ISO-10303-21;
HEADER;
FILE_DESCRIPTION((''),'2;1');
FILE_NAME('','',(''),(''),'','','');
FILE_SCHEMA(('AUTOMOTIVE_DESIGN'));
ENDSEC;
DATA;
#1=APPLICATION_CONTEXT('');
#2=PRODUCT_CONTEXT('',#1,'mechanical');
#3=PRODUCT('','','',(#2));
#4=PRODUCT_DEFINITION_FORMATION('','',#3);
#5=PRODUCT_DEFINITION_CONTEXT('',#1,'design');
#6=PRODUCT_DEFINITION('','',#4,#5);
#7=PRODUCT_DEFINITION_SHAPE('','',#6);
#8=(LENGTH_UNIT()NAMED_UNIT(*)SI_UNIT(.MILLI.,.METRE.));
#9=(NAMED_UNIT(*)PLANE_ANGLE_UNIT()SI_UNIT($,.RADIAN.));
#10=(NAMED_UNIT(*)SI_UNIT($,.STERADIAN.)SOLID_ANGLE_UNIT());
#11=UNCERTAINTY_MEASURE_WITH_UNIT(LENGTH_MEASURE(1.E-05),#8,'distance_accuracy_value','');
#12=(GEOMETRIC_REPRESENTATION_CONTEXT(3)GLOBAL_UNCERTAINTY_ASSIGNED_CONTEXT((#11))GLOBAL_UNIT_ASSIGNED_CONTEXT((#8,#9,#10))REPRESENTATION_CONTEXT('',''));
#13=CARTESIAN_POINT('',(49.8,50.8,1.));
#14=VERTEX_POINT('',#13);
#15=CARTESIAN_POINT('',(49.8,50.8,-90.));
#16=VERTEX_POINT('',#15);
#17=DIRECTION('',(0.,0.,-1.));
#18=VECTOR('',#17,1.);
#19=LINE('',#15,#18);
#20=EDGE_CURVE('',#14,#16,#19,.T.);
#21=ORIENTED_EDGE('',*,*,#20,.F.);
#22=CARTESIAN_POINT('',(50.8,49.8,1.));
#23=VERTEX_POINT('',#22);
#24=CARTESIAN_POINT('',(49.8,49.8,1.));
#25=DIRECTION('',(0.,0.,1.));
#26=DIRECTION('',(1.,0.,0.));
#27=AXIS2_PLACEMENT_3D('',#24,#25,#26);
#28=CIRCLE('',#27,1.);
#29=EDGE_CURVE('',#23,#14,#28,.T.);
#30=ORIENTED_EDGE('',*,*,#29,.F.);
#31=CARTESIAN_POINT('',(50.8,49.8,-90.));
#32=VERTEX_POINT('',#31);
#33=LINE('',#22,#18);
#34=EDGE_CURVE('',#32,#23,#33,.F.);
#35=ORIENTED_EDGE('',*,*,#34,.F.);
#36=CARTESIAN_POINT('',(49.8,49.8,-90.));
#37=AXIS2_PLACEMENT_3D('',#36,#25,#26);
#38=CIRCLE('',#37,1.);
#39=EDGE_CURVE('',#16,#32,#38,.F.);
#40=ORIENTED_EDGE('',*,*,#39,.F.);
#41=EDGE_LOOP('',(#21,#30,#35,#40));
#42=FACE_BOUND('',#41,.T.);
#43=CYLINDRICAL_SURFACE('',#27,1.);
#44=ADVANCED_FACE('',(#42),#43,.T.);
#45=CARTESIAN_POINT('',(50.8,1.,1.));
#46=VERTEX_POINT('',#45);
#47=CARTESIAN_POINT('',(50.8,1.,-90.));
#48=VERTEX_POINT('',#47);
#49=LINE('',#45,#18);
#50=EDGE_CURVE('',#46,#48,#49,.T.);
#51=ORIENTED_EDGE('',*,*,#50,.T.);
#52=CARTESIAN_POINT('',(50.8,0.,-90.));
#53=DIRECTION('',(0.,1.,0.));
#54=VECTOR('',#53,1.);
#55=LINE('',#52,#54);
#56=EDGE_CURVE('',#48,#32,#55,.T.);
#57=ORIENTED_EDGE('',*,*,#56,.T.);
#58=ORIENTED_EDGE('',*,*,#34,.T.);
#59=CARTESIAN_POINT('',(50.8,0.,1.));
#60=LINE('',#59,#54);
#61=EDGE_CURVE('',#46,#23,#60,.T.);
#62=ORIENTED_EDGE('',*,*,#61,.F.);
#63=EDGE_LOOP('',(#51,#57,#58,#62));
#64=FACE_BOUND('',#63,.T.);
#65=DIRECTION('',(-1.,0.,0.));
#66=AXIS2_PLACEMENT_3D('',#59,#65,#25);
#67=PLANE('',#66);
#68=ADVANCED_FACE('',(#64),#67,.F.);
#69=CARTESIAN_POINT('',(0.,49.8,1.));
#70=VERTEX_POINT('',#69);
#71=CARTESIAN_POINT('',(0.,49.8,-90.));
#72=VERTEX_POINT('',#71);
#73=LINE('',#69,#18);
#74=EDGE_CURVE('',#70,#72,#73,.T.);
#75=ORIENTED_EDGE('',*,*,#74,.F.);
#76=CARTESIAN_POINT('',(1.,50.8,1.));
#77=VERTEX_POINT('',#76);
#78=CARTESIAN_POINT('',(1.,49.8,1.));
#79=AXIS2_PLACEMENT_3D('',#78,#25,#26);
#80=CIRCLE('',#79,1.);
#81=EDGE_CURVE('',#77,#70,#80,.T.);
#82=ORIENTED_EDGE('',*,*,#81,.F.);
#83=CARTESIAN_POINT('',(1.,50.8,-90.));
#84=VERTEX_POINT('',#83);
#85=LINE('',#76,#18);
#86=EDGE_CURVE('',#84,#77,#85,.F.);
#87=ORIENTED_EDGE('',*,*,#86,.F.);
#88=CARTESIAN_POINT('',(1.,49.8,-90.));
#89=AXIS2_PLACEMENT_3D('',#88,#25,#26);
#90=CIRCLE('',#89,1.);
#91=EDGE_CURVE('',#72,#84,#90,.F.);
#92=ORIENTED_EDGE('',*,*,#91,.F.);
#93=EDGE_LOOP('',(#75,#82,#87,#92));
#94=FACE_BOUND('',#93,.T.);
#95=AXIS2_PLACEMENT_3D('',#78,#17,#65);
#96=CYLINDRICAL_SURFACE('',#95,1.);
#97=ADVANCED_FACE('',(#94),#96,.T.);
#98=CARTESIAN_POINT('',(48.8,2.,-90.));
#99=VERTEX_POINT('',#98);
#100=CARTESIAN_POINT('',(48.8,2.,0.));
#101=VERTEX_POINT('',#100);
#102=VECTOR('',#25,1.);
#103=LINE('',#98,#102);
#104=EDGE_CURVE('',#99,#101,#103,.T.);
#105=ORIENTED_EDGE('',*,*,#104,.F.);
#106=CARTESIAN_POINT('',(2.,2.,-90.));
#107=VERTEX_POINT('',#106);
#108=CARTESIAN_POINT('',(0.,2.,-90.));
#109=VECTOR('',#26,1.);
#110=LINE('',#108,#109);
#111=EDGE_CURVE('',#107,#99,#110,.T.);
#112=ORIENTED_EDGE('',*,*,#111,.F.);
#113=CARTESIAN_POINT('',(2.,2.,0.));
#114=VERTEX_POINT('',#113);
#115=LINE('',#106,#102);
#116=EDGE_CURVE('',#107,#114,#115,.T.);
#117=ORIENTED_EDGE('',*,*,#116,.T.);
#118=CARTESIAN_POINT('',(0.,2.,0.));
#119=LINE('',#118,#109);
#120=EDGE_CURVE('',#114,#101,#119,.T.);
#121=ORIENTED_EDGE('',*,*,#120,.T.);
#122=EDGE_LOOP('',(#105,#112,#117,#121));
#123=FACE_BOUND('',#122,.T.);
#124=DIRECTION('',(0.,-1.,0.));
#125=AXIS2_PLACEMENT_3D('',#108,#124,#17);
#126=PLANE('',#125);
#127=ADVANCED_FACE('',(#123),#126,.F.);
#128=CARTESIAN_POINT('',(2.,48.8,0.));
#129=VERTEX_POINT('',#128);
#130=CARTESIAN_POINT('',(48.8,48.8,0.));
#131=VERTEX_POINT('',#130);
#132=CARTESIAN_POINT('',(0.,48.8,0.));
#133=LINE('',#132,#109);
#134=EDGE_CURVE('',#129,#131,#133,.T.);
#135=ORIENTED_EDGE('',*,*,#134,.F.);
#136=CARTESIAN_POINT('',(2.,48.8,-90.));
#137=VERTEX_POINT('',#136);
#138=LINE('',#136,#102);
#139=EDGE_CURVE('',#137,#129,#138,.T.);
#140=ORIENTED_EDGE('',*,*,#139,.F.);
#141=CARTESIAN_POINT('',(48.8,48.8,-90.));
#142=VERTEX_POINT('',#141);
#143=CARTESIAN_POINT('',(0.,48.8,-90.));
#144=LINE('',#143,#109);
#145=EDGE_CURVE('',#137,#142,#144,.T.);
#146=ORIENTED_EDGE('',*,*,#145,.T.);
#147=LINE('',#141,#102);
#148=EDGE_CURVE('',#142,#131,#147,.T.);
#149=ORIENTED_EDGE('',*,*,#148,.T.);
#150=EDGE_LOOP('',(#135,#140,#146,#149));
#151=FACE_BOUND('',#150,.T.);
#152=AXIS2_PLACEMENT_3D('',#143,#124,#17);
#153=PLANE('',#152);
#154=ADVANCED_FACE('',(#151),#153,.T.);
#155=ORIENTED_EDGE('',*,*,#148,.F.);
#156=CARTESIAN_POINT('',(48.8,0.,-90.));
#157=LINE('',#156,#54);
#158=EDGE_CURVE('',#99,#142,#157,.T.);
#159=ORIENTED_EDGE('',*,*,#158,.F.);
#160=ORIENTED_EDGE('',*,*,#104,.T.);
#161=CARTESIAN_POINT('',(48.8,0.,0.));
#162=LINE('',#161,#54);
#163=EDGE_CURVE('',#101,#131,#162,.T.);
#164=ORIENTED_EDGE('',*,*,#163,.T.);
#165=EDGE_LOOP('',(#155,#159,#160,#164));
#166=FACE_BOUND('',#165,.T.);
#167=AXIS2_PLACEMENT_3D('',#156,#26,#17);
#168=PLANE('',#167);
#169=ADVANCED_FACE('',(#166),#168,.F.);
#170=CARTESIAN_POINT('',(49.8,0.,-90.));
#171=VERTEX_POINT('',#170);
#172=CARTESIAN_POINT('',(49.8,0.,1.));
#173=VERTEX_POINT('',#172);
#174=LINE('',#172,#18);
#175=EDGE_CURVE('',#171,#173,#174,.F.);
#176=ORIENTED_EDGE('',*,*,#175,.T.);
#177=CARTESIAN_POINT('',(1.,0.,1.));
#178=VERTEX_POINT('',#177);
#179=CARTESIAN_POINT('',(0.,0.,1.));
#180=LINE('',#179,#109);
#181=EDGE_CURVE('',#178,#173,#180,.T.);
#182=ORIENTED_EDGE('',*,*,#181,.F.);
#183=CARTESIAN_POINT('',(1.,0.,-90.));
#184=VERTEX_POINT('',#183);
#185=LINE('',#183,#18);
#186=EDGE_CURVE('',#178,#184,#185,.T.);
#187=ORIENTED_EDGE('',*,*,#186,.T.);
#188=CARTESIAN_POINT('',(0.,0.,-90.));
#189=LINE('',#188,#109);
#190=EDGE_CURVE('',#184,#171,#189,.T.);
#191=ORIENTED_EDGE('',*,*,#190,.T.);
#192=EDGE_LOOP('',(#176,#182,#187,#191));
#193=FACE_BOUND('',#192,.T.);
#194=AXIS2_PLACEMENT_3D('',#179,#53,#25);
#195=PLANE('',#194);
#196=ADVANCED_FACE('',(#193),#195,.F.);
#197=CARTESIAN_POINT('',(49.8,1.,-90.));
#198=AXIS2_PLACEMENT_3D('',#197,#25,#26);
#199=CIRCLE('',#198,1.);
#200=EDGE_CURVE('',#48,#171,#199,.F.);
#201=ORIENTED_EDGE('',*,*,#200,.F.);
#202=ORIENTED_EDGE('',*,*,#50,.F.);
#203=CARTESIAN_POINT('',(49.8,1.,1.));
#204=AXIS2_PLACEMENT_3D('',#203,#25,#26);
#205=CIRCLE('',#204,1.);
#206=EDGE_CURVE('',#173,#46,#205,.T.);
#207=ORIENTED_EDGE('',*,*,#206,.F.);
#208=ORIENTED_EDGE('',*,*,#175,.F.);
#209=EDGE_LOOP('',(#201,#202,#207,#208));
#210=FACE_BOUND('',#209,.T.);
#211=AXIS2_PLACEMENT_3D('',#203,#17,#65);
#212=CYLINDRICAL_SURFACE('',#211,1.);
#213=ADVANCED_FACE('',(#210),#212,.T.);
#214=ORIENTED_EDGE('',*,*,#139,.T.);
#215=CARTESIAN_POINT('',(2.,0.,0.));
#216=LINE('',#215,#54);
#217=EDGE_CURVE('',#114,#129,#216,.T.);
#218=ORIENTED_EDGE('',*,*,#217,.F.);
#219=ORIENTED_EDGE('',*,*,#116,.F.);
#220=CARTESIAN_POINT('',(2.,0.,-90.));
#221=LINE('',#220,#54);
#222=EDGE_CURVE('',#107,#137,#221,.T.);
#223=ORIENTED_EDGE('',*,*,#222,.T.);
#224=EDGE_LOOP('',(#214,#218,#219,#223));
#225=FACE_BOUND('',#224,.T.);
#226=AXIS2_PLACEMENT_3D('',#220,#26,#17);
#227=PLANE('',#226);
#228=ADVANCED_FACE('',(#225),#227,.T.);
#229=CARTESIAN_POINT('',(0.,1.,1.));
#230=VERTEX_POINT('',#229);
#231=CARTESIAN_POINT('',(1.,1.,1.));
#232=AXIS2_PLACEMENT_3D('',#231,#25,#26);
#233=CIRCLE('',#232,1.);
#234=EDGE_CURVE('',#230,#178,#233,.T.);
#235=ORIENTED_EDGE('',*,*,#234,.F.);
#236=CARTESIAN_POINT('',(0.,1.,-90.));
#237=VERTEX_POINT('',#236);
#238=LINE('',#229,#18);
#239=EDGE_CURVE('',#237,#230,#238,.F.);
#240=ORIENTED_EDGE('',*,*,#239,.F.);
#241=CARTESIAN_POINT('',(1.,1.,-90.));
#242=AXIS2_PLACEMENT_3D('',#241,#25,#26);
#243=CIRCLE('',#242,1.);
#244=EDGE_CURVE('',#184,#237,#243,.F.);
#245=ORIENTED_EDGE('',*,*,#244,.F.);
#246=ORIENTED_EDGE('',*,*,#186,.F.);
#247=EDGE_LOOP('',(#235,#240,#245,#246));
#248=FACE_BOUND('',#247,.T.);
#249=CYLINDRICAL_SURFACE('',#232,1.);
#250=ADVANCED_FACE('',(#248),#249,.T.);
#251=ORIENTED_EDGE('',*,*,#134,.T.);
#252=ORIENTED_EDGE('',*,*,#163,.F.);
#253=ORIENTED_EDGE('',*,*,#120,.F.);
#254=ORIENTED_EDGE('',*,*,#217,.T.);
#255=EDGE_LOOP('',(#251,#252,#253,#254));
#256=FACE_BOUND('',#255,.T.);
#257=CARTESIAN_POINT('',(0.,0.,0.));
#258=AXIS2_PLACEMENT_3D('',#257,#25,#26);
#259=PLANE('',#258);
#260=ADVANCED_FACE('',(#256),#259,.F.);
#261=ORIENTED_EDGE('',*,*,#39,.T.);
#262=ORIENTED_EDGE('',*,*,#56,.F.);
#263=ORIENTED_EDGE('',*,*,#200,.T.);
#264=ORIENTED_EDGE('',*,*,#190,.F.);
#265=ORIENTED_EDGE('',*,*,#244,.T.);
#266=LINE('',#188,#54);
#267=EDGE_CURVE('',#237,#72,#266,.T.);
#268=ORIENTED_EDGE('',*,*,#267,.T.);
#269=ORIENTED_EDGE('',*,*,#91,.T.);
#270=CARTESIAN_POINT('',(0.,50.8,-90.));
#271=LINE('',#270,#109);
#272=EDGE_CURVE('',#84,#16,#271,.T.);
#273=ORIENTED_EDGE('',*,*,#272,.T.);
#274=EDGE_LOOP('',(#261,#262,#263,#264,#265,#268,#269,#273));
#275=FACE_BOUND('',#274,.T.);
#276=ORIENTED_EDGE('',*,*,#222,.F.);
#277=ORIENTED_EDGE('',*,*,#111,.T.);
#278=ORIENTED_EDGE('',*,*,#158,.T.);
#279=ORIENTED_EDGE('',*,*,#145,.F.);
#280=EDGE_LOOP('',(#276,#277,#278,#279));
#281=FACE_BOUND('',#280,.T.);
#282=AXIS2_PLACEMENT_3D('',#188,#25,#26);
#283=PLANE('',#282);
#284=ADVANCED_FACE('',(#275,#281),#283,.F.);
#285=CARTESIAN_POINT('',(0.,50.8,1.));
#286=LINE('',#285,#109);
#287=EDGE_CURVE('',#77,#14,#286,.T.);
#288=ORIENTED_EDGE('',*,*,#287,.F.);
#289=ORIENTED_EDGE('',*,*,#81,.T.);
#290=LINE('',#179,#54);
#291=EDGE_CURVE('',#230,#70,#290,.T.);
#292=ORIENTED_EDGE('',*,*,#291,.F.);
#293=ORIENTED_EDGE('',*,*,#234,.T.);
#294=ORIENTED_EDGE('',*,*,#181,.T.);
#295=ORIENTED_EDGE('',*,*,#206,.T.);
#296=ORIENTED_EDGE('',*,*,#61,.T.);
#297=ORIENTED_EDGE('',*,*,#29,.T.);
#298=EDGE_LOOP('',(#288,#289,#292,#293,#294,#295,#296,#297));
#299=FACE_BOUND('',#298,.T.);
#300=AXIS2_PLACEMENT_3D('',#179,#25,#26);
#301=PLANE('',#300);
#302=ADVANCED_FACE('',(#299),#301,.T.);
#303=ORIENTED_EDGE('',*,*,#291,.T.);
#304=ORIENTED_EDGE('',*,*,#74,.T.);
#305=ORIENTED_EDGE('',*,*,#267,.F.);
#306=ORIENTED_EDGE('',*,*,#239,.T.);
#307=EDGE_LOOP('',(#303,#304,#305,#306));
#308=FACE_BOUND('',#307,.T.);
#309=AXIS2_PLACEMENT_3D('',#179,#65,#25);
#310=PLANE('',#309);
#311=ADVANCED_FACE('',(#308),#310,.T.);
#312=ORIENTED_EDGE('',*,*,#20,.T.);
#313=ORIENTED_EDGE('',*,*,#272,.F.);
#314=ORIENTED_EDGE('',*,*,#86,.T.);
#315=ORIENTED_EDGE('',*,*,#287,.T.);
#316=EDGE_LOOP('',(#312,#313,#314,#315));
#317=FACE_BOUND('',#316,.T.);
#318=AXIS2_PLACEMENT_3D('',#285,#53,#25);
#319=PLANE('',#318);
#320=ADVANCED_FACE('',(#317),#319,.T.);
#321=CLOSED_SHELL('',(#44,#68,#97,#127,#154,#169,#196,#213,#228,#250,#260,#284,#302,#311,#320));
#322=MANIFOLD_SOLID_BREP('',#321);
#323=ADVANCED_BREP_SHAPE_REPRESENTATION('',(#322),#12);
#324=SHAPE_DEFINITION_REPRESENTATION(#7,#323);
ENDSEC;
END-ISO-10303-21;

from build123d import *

# Parameters (mm, degrees)
SKETCH1_W           = 50.8
SKETCH1_H           = 50.8
BOSS_EXTRUDE1_DEPTH = 1
SKETCH1_3_W         = 50.8
SKETCH1_3_H         = 50.8
SKETCH1_3_W_2       = 46.8
SKETCH1_3_H_2       = 46.8
BOSS_EXTRUDE2_DEPTH = 90
FILLET1_R           = 1


with BuildPart() as part:
    # Sketch1 → Boss-Extrude1 (new body)
    with BuildSketch(Plane.XY):
        with Locations((25.4, 25.4)):
            Rectangle(SKETCH1_W, SKETCH1_H)
    extrude(amount=BOSS_EXTRUDE1_DEPTH)

    # Sketch1<3> → Boss-Extrude2 (add)
    with BuildSketch(Plane.XY):
        with Locations((25.4, 25.4)):
            Rectangle(SKETCH1_3_W, SKETCH1_3_H)
        with Locations((25.4, 25.4)):
            Rectangle(SKETCH1_3_W_2, SKETCH1_3_H_2, mode=Mode.SUBTRACT)
    extrude(amount=-BOSS_EXTRUDE2_DEPTH)

    # Fillet1
    fillet1_edges = [part.edges().sort_by_distance(p)[0] for p in [
        (0, 50.8, -44.5),
        (50.8, 50.8, -44.5),
        (50.8, 0, -44.5),
        (0, 0, -44.5),
    ]]
    fillet(fillet1_edges, radius=FILLET1_R)


solid = part.part
